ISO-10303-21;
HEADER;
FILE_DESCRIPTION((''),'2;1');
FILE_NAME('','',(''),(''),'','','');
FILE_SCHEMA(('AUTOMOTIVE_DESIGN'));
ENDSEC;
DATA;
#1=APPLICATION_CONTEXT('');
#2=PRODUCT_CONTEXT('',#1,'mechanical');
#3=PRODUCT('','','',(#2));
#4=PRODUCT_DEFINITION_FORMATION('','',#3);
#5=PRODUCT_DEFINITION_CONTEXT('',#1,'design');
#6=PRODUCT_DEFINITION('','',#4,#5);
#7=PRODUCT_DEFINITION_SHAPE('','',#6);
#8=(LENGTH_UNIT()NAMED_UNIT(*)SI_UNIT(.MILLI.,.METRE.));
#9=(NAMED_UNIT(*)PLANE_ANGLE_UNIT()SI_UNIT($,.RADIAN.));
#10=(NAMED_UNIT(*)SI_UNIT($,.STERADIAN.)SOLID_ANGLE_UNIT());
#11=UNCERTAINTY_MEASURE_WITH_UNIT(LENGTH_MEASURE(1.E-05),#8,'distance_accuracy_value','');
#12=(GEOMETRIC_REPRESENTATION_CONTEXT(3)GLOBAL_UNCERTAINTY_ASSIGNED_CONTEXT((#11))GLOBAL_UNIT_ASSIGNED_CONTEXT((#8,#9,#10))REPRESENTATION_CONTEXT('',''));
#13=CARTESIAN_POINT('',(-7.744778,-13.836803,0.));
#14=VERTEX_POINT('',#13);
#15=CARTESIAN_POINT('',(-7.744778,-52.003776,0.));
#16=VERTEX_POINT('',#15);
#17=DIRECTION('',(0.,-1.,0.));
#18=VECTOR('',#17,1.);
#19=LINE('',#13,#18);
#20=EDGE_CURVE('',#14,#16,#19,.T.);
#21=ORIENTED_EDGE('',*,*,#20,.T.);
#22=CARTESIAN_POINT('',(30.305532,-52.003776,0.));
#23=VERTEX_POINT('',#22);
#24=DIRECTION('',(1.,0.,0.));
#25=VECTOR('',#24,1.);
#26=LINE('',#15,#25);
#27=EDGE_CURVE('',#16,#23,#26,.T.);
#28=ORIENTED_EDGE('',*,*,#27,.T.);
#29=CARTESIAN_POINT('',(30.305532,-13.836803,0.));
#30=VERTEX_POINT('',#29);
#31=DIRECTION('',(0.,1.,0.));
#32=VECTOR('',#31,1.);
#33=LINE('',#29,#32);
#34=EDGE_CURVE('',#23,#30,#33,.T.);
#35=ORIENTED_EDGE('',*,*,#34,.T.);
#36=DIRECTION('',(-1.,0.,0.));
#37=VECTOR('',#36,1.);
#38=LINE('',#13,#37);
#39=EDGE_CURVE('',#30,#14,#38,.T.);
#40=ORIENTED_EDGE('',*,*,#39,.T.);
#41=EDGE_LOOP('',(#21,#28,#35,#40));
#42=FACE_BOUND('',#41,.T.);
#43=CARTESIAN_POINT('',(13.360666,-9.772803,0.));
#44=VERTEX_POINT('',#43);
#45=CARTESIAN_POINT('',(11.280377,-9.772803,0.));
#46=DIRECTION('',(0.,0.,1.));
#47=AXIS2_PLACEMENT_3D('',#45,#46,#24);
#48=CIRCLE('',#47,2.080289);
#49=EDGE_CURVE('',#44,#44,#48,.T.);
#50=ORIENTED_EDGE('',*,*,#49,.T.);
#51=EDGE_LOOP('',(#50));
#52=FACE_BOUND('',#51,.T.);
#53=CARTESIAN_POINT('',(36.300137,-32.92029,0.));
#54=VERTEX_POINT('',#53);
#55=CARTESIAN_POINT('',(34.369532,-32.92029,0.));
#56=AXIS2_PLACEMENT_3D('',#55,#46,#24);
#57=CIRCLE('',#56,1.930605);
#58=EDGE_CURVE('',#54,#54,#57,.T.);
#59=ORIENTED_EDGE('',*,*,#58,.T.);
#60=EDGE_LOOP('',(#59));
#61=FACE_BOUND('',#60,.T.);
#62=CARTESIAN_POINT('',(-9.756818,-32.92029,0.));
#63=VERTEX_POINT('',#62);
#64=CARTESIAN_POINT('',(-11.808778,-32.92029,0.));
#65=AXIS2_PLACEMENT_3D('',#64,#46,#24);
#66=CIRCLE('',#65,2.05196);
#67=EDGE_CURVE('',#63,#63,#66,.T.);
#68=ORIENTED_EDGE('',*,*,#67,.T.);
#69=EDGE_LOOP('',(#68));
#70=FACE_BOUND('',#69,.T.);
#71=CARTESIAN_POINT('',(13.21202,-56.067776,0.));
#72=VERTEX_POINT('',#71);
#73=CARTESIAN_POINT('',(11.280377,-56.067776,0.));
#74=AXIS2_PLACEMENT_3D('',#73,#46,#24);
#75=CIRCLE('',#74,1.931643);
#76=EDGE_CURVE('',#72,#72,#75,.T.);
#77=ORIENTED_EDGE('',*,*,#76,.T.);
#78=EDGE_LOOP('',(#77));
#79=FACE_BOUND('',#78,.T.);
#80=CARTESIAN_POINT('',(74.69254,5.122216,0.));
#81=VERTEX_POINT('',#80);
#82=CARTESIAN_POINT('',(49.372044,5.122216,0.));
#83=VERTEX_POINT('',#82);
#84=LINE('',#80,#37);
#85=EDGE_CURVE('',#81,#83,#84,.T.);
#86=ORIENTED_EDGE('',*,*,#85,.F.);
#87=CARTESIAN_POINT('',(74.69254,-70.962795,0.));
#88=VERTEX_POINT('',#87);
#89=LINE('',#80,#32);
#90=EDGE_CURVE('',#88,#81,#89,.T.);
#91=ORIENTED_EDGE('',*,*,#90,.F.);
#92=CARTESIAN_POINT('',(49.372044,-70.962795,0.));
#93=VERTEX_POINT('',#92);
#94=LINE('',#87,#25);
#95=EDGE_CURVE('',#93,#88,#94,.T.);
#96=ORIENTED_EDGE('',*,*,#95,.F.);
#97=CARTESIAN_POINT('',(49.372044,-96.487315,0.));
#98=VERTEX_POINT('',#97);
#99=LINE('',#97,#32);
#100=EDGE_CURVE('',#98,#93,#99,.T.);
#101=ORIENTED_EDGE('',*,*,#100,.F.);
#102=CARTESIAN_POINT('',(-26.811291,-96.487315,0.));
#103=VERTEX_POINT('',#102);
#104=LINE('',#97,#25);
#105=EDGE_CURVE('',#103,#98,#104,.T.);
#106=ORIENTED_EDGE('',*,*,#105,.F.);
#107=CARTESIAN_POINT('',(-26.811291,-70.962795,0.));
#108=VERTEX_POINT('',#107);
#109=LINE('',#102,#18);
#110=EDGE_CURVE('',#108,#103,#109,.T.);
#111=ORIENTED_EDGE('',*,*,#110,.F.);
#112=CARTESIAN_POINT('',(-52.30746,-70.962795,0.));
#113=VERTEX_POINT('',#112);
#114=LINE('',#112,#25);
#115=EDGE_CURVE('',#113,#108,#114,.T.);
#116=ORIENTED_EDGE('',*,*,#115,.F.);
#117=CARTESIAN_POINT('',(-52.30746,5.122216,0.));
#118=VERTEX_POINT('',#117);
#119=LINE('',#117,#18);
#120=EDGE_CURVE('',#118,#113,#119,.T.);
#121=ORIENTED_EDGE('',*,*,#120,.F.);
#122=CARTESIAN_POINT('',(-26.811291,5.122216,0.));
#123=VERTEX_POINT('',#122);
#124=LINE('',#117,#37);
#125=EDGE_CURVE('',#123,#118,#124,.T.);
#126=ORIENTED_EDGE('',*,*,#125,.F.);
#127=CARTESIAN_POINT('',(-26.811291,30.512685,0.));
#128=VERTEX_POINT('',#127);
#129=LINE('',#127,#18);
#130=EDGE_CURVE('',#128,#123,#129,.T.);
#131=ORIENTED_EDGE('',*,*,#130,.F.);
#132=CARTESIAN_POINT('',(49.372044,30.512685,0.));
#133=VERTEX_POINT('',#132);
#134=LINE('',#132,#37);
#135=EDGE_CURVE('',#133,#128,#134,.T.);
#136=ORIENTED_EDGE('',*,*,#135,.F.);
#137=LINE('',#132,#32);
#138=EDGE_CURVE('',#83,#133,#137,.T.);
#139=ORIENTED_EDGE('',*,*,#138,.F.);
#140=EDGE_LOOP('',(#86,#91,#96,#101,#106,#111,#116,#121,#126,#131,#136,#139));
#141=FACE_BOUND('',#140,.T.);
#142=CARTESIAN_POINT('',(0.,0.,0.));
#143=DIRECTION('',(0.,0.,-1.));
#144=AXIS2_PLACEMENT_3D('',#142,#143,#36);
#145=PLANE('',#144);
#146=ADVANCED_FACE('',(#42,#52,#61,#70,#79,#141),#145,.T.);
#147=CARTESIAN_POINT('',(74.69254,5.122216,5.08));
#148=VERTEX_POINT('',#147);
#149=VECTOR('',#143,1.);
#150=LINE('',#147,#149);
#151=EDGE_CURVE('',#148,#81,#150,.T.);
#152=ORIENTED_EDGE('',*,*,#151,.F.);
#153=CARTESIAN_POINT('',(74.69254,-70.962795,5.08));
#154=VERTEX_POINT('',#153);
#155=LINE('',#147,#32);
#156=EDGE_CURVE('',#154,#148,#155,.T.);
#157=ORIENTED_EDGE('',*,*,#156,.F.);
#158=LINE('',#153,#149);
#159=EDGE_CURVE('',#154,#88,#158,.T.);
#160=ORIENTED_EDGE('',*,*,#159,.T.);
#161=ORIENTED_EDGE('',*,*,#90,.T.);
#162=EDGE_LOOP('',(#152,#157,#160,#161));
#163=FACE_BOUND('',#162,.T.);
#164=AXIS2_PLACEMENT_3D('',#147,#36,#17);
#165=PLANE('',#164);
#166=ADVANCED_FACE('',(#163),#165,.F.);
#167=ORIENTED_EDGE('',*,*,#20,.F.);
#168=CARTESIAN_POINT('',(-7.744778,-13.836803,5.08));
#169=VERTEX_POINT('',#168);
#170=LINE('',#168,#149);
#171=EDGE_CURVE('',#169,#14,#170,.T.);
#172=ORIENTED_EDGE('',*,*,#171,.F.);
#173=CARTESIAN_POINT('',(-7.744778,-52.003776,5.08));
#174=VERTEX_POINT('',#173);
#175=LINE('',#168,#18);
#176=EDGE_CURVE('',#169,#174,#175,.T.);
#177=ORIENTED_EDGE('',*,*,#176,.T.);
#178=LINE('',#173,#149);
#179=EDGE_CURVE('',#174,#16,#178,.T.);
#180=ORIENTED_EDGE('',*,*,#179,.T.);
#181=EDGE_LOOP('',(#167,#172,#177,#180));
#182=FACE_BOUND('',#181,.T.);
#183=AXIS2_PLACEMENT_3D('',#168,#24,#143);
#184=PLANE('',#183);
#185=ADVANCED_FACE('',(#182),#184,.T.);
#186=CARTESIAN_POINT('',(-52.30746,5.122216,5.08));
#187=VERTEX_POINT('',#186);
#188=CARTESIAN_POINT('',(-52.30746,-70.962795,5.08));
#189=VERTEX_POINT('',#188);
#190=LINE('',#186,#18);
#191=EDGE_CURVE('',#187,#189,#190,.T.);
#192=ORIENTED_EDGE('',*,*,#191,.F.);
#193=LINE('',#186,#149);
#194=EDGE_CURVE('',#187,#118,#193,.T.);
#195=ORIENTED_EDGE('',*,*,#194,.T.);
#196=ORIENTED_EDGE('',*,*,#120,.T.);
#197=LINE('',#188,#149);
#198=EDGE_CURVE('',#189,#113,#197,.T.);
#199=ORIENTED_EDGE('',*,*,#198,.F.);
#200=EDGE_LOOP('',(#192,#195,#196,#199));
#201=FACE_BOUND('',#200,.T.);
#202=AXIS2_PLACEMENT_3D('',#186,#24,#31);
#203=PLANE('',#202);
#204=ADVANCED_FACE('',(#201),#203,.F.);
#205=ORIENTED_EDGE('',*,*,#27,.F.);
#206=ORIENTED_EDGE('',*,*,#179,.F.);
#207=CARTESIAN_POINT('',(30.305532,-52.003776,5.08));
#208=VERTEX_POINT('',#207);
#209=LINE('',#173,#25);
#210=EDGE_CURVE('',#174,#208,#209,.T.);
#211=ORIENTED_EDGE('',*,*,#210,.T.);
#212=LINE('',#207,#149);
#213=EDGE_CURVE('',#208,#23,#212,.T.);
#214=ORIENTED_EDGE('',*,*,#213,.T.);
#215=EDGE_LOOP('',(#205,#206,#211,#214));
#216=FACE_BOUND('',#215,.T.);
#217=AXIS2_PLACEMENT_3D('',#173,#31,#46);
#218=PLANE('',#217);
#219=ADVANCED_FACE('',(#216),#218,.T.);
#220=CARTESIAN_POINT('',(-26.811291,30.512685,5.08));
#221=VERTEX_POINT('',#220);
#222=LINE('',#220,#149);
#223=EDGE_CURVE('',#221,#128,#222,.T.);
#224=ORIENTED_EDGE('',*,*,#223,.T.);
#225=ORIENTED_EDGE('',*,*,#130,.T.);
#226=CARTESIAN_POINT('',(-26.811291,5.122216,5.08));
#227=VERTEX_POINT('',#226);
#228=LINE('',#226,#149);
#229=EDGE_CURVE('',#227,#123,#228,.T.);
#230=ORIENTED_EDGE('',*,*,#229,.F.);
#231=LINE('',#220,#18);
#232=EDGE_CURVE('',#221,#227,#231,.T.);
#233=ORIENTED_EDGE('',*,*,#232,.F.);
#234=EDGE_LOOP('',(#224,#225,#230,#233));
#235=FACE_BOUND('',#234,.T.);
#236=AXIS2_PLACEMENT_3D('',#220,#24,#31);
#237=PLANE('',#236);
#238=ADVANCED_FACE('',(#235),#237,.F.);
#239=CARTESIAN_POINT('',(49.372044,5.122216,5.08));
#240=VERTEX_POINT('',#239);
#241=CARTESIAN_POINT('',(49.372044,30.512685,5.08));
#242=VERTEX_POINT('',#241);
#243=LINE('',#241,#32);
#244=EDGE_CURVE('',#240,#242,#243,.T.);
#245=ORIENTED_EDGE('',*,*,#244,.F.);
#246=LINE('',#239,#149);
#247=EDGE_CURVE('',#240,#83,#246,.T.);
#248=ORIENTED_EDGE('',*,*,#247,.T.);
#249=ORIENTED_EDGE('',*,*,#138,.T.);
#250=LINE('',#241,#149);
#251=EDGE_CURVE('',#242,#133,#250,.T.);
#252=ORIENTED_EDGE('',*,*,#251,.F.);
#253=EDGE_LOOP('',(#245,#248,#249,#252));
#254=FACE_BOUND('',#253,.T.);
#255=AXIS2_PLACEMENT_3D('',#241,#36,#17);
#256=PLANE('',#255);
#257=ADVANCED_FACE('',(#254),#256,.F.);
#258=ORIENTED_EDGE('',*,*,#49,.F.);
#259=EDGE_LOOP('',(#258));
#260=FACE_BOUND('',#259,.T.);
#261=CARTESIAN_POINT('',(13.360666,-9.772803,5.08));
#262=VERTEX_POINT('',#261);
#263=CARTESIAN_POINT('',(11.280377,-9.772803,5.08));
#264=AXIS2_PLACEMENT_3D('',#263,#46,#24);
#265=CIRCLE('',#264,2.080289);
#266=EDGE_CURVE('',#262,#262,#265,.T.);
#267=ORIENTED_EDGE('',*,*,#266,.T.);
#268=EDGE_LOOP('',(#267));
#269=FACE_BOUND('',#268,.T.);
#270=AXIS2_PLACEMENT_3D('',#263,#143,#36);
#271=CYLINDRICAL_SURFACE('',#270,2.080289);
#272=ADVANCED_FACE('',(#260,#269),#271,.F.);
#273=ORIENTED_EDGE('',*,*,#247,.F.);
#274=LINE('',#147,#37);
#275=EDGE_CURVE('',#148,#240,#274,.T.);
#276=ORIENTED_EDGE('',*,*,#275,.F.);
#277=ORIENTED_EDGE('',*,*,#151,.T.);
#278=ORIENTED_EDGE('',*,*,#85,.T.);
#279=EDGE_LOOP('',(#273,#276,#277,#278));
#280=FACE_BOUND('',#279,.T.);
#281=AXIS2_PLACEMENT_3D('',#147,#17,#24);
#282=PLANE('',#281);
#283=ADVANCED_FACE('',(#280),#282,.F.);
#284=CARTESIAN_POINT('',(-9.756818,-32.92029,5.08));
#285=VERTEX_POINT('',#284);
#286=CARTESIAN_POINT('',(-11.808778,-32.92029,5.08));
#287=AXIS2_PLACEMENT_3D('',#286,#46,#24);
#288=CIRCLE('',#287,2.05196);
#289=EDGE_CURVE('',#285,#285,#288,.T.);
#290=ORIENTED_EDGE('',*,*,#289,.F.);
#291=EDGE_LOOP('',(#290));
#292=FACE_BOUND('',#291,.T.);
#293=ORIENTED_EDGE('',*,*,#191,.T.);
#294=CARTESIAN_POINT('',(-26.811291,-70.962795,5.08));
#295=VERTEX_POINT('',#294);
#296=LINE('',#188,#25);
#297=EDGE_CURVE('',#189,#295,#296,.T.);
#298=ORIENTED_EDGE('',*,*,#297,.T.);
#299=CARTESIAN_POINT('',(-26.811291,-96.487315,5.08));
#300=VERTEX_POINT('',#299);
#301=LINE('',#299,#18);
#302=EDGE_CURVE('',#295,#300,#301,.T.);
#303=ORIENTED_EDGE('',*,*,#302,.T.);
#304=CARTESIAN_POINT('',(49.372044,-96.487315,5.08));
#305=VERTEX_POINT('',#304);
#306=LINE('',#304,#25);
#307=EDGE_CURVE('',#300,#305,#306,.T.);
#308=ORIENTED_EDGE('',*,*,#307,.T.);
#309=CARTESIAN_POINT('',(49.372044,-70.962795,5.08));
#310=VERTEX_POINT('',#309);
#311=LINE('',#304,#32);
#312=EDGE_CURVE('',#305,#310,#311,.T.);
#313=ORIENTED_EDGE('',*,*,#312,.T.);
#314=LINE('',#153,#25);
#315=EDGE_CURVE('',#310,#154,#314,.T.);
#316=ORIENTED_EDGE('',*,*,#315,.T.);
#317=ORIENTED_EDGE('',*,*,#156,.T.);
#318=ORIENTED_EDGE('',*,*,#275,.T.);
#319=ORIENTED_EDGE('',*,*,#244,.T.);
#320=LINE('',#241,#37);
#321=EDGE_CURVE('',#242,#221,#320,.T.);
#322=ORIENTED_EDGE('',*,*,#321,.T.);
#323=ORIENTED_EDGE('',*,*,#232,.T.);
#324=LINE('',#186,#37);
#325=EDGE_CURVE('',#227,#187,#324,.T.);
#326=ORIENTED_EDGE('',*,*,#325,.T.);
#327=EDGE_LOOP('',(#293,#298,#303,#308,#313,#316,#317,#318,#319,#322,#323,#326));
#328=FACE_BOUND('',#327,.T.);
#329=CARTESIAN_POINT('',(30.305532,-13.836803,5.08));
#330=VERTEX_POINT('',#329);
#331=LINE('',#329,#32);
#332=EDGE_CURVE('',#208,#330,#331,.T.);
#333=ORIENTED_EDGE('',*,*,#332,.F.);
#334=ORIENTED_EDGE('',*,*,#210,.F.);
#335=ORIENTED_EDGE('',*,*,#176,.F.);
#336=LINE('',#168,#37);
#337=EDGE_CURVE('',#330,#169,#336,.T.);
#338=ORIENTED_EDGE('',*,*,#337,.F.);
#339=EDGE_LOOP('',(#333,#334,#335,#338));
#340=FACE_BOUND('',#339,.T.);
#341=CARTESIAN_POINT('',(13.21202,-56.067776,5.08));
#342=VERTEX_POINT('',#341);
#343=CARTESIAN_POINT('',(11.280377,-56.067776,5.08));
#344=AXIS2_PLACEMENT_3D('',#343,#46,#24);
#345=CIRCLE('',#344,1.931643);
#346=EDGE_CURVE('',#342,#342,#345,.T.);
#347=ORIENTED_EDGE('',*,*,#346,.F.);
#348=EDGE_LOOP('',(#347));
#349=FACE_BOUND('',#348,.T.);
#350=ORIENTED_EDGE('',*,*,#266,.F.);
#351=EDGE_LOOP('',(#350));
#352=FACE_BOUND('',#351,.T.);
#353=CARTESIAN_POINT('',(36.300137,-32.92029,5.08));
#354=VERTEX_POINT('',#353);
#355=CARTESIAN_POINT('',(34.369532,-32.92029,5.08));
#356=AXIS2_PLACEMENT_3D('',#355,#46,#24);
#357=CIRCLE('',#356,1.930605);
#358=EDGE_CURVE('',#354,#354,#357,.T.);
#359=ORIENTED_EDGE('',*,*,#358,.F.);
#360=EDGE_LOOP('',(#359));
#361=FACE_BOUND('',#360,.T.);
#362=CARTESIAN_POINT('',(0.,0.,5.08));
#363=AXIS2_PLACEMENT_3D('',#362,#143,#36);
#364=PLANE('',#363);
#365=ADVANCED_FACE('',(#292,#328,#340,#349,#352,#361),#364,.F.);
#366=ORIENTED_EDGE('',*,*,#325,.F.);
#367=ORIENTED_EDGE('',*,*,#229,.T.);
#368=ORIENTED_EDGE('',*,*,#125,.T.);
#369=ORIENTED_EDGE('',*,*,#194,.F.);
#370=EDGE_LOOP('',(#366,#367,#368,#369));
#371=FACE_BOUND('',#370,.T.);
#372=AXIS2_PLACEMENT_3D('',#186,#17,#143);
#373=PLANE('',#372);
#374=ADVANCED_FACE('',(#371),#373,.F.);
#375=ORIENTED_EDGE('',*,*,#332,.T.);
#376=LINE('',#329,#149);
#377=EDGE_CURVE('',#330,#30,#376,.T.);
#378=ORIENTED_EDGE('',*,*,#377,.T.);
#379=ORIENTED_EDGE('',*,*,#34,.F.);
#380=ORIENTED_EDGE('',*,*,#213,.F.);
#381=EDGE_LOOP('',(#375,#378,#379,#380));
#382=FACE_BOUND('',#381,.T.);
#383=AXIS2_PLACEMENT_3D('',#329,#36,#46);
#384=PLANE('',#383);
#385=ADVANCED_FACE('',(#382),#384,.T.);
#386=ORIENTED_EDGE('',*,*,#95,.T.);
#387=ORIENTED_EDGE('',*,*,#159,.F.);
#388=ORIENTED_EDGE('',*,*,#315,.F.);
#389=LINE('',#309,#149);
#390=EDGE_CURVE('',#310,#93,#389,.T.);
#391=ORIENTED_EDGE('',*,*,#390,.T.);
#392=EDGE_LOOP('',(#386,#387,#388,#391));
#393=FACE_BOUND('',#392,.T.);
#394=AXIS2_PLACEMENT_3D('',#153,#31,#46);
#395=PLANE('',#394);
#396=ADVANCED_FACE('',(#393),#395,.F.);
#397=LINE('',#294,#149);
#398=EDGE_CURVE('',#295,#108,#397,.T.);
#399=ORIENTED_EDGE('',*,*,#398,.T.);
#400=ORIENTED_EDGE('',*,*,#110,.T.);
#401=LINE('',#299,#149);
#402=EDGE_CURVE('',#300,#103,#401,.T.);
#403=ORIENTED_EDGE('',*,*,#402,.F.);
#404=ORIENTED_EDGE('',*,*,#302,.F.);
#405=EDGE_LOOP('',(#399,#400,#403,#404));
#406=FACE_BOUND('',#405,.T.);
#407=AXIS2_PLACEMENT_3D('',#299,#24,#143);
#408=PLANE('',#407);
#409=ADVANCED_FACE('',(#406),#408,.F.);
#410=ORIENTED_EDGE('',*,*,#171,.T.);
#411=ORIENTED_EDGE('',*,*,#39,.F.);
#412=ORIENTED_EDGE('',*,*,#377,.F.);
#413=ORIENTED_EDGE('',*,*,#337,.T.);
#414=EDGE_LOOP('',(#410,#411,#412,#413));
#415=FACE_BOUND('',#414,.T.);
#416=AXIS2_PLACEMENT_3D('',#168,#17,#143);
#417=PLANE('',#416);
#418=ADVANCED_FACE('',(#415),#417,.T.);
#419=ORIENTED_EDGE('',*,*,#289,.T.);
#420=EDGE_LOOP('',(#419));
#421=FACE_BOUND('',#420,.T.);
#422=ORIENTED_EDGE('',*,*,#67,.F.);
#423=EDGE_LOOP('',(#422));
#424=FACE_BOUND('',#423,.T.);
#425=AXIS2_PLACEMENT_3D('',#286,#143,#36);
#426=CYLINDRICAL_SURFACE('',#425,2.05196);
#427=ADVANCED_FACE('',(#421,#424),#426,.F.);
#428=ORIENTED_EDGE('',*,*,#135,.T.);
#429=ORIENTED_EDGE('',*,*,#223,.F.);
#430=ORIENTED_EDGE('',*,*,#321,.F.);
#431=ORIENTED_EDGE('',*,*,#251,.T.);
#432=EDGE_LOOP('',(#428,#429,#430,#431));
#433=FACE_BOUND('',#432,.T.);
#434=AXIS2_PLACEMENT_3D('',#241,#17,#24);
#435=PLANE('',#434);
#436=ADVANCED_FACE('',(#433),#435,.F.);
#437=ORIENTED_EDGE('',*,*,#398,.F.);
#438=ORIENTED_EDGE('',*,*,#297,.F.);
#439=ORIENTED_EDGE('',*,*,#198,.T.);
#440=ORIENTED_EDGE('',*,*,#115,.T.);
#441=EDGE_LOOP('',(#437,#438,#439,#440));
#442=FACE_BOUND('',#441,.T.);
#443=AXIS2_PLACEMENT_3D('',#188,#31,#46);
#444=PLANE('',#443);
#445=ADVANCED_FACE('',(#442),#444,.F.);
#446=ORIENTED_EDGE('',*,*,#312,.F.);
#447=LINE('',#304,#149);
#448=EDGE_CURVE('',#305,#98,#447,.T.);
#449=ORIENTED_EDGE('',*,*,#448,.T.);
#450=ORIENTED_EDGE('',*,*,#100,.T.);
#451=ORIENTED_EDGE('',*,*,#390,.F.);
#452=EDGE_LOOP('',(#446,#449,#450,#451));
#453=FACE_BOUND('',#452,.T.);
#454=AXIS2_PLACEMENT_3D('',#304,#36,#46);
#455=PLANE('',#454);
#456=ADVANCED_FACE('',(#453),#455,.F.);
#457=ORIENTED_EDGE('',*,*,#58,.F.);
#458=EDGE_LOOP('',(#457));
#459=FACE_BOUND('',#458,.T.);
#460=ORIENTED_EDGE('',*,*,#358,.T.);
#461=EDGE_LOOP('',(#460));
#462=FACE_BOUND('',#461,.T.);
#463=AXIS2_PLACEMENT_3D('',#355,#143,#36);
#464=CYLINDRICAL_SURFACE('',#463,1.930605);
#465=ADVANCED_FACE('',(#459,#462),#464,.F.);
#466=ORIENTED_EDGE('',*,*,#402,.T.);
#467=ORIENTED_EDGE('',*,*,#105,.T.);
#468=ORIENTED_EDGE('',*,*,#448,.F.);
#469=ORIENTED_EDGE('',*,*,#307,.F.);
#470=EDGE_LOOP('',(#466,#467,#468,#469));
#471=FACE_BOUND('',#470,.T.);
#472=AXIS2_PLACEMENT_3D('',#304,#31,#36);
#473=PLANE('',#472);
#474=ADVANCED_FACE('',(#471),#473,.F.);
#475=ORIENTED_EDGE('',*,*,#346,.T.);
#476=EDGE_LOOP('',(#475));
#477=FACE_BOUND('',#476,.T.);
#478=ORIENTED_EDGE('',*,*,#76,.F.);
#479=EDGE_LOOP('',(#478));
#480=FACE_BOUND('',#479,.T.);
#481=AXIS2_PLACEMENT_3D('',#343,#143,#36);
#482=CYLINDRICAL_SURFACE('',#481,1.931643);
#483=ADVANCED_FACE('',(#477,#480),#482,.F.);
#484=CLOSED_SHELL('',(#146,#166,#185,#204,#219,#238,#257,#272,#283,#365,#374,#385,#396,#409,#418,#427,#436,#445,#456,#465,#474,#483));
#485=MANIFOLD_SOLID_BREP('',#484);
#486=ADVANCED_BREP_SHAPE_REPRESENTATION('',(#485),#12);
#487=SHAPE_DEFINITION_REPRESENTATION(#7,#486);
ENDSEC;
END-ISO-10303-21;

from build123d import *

# Parameters (mm, degrees)
SKETCH2_R           = 2.08028948
SKETCH2_R_2         = 1.930605223
SKETCH2_R_3         = 1.931643465
SKETCH2_R_4         = 2.051960052
SKETCH2_W           = 38.050309674
SKETCH2_H           = 38.166973502
BOSS_EXTRUDE1_DEPTH = 5.08


with BuildPart() as part:
    # Sketch2 → Boss-Extrude1 (new body)
    with BuildSketch(Plane.XY):
        Polygon((49.372044396, 30.512685118), (-26.811291054, 30.512685118), (-26.811291054, 5.122215891), (-52.307460203, 5.122215891), (-52.307460203, -70.962795052), (-26.811291054, -70.962795052), (-26.811291054, -96.487314882), (49.372044396, -96.487314882), (49.372044396, -70.962795052), (74.692539797, -70.962795052), (74.692539797, 5.122215891), (49.372044396, 5.122215891), align=None)
        with Locations((11.280376671, -9.772802829)):
            Circle(SKETCH2_R, mode=Mode.SUBTRACT)
        with Locations((34.369531508, -32.92028958)):
            Circle(SKETCH2_R_2, mode=Mode.SUBTRACT)
        with Locations((11.280376671, -56.067776331)):
            Circle(SKETCH2_R_3, mode=Mode.SUBTRACT)
        with Locations((-11.808778166, -32.92028958)):
            Circle(SKETCH2_R_4, mode=Mode.SUBTRACT)
        with Locations((11.280376671, -32.92028958)):
            Rectangle(SKETCH2_W, SKETCH2_H, mode=Mode.SUBTRACT)
    extrude(amount=BOSS_EXTRUDE1_DEPTH)


solid = part.part
